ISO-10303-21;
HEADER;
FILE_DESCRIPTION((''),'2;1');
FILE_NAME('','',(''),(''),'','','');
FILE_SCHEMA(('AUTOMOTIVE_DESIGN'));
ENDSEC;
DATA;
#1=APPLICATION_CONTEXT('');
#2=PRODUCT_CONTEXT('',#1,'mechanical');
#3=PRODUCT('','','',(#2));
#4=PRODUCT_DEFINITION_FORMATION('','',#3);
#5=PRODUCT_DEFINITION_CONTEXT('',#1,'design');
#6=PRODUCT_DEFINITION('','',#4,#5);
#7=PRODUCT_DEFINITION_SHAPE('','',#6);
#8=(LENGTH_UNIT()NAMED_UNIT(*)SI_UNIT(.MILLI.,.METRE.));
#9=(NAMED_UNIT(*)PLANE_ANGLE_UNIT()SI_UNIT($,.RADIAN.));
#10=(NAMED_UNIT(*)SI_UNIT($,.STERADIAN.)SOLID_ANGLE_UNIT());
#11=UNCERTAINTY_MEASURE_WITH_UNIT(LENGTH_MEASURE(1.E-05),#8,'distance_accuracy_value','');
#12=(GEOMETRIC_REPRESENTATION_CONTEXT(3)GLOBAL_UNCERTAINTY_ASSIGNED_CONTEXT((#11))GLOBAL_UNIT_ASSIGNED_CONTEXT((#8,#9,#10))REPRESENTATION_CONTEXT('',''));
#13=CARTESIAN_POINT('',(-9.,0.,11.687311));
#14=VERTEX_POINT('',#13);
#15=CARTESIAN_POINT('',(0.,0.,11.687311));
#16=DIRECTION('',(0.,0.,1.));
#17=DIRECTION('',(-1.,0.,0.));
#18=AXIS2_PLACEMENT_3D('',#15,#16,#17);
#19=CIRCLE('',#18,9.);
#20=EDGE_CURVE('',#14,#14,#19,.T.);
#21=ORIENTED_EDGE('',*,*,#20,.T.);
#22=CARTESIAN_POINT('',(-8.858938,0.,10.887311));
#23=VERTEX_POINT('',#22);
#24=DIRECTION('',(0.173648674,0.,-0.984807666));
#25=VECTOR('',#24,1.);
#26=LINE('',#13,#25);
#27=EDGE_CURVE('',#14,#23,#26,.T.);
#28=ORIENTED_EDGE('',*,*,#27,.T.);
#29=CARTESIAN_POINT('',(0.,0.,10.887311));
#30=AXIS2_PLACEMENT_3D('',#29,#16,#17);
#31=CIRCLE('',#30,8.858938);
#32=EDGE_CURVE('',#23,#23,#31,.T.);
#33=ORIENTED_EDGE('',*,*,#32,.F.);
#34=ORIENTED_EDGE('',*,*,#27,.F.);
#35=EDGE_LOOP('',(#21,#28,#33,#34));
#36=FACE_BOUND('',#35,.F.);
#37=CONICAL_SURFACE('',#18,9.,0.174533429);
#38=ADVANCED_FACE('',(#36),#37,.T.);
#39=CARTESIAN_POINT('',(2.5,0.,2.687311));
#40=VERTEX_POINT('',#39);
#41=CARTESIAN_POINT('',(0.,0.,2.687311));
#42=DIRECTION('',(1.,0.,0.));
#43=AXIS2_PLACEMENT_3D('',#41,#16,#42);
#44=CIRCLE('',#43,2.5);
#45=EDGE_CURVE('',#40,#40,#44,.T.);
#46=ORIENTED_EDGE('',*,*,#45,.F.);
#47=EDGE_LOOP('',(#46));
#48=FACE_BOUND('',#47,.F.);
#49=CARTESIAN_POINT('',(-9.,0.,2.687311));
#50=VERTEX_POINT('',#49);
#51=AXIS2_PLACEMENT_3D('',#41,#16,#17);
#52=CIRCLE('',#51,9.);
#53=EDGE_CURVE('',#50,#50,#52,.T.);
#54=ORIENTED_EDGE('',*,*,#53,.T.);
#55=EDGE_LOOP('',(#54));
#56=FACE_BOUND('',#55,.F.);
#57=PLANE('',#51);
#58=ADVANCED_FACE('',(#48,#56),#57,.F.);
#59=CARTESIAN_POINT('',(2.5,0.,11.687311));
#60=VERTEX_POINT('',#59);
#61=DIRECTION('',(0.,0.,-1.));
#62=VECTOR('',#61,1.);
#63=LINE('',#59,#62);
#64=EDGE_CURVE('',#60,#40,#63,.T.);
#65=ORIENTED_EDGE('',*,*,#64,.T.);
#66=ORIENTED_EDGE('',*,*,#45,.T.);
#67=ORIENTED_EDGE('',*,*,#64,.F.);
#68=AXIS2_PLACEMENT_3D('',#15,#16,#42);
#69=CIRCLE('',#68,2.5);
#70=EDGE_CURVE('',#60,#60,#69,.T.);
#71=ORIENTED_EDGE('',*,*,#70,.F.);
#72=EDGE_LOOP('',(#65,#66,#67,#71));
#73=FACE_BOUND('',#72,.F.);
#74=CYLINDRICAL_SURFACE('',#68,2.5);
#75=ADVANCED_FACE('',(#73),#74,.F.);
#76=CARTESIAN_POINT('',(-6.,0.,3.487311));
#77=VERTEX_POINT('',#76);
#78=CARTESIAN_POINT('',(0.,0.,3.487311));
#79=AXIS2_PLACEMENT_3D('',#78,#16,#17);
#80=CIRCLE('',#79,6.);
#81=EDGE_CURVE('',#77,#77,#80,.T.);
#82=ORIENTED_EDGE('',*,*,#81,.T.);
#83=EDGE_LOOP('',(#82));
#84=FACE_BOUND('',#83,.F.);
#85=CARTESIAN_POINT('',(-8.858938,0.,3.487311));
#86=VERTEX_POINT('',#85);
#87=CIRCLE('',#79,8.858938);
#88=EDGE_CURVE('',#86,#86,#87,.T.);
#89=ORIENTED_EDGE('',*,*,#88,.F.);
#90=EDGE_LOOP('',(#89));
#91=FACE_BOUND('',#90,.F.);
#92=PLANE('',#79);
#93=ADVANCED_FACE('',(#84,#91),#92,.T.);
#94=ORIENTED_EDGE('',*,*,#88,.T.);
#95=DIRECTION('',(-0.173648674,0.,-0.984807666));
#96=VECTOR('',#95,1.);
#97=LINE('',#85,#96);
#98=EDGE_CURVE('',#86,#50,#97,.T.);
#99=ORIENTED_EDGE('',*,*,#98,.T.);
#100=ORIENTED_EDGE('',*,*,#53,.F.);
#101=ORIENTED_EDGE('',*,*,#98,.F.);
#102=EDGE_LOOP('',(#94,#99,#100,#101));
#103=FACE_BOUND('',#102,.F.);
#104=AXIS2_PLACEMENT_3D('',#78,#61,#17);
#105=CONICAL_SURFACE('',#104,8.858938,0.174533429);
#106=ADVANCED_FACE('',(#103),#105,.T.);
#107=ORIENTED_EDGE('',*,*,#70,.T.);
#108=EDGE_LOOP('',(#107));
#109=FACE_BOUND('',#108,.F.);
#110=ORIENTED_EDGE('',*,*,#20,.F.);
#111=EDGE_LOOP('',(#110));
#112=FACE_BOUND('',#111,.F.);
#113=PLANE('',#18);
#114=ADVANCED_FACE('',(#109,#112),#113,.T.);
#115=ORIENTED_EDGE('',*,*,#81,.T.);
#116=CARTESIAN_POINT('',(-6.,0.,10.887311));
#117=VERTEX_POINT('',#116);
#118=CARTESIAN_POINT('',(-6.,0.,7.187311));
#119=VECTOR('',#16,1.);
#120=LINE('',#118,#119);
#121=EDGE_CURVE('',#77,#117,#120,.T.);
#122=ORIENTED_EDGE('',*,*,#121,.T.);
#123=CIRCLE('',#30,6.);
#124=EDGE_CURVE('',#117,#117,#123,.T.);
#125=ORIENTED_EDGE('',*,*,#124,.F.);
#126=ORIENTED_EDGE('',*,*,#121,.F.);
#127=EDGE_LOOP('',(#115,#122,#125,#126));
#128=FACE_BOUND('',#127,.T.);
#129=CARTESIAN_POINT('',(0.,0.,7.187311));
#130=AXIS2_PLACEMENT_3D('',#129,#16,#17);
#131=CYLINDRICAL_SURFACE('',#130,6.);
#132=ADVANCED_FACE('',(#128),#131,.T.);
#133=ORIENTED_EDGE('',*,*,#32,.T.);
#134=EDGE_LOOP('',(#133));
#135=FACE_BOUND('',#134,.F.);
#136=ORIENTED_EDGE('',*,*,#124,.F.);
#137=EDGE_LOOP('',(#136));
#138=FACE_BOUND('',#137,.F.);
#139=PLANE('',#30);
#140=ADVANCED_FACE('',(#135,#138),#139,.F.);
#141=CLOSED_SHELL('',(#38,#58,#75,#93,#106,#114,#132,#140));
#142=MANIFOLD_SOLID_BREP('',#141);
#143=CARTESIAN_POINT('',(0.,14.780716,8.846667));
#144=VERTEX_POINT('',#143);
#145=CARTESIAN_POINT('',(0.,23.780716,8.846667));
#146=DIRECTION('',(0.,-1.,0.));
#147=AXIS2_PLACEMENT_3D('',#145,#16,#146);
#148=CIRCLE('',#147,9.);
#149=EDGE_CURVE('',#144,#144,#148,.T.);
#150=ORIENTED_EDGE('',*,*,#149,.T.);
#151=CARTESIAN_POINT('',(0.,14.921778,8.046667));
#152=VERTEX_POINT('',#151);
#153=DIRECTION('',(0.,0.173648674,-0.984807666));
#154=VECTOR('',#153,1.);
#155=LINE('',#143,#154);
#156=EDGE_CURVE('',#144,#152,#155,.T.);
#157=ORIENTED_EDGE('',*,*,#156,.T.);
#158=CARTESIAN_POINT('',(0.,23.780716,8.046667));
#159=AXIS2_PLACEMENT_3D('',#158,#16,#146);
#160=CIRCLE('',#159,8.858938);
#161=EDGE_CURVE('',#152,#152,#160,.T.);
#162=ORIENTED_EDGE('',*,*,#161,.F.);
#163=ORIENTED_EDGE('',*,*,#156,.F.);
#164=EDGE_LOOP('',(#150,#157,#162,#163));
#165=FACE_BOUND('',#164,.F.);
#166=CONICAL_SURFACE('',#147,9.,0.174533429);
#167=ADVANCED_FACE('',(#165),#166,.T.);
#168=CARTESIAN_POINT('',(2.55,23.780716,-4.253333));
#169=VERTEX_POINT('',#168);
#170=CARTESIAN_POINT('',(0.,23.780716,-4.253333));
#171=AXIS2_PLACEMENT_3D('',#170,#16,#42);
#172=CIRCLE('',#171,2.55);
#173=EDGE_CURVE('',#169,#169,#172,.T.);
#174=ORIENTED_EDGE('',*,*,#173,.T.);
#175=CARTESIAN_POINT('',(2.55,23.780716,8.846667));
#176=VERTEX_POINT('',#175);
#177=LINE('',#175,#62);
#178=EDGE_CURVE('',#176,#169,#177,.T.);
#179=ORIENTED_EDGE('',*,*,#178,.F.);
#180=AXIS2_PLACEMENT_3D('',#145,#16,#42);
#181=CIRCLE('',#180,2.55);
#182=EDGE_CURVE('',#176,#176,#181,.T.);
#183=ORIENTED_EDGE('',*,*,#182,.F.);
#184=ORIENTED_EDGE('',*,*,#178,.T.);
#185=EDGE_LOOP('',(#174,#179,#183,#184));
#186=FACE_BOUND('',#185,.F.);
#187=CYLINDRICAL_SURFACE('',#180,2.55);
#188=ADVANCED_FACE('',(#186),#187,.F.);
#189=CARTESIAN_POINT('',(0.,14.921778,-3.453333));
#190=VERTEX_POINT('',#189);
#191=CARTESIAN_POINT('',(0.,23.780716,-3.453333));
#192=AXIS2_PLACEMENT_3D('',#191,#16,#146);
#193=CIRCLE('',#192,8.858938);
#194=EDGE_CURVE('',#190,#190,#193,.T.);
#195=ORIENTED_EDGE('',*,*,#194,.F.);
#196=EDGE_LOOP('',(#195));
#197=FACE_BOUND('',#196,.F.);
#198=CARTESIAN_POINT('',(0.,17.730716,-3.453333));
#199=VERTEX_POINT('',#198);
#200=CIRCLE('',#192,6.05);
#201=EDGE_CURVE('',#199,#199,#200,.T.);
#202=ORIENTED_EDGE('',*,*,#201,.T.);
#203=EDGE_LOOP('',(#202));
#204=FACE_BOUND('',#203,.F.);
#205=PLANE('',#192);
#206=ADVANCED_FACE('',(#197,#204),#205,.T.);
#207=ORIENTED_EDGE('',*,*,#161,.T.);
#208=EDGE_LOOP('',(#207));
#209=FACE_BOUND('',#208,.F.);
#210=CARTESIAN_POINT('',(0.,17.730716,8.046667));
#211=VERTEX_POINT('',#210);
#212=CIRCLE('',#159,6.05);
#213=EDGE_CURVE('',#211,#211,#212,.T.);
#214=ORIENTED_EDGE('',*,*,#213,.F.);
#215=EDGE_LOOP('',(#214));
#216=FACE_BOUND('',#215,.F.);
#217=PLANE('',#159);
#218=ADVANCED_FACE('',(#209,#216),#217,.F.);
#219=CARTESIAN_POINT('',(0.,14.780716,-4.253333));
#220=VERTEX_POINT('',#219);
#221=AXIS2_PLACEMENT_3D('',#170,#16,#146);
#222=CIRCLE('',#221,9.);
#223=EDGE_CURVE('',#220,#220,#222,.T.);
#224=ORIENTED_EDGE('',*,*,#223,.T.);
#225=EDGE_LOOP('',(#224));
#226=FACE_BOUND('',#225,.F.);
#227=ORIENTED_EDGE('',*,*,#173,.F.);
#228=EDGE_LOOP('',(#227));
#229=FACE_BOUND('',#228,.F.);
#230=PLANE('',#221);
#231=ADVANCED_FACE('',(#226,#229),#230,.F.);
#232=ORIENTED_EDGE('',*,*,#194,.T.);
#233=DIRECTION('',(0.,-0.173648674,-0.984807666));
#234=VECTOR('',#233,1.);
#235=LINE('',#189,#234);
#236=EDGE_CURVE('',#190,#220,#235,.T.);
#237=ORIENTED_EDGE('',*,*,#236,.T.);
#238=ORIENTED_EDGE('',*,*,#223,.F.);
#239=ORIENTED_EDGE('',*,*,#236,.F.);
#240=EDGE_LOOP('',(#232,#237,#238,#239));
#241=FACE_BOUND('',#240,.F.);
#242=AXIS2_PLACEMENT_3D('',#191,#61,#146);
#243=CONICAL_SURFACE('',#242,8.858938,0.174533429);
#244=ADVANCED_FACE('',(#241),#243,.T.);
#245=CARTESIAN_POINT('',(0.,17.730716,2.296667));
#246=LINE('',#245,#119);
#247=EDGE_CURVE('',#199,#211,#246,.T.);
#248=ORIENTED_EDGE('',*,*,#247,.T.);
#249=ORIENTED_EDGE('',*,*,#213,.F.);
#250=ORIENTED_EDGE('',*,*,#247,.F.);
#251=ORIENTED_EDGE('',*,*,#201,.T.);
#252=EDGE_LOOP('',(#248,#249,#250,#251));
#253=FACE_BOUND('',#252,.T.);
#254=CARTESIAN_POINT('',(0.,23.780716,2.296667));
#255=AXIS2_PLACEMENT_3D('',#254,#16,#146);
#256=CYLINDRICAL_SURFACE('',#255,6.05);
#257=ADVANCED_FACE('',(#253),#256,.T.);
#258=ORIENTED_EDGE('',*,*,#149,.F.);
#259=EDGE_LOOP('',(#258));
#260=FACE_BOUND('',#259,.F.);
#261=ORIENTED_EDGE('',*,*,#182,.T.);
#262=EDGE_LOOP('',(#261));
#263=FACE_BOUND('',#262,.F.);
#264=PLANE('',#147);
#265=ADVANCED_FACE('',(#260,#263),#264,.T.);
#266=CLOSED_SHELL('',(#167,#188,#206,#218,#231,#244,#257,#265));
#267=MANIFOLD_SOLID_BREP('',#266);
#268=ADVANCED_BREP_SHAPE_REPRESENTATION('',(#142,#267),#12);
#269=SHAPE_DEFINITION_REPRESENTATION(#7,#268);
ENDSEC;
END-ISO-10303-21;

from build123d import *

# Parameters (mm, degrees)
F0_W     = 6
F0_H     = 7.4
F2_R     = 2.5
F3_DEPTH = 9
F4_W     = 6.05
F4_H     = 11.5
F6_R     = 2.55
F7_DEPTH = 13.1


with BuildPart() as f1:
    # F0 (on Front) → F1 (revolve)
    with BuildSketch(Plane.XZ):
        Polygon((0, 11.687311), (-9, 11.687311), (-8.858938, 10.887311), (-6, 10.887311), (0, 10.887311), align=None)
        with Locations((-3, 7.187311)):
            Rectangle(F0_W, F0_H)
        Polygon((0, 2.687311), (0, 3.487311), (-6, 3.487311), (-8.858938, 3.487311), (-9, 2.687311), align=None)
    revolve(axis=Axis((0, 0, 3.487311), (0, 0, 1)))

    # F2 (on face) → F3 (cut, through all)
    with BuildSketch(Plane.XY.offset(11.687311)):
        Circle(F2_R)
    extrude(amount=-F3_DEPTH, mode=Mode.SUBTRACT)


with BuildPart() as f5:
    # F4 (on Right) → F5 (revolve)
    with BuildSketch(Plane.YZ):
        Polygon((23.780716, -4.253333), (23.780716, -3.453333), (17.730716, -3.453333), (14.921778, -3.453333), (14.780716, -4.253333), align=None)
        with Locations((20.755716, 2.296667)):
            Rectangle(F4_W, F4_H)
        Polygon((23.780716, 8.846667), (14.780716, 8.846667), (14.921778, 8.046667), (17.730716, 8.046667), (23.780716, 8.046667), align=None)
    revolve(axis=Axis((0, 23.780716, -3.453333), (0, 0, 1)))

    # F6 (on face) → F7 (cut, through all)
    with BuildSketch(Plane.XY.offset(8.846667)):
        with Locations((0, 23.780716)):
            Circle(F6_R)
    extrude(amount=-F7_DEPTH, mode=Mode.SUBTRACT)


solid = Compound([f1.part, f5.part])
